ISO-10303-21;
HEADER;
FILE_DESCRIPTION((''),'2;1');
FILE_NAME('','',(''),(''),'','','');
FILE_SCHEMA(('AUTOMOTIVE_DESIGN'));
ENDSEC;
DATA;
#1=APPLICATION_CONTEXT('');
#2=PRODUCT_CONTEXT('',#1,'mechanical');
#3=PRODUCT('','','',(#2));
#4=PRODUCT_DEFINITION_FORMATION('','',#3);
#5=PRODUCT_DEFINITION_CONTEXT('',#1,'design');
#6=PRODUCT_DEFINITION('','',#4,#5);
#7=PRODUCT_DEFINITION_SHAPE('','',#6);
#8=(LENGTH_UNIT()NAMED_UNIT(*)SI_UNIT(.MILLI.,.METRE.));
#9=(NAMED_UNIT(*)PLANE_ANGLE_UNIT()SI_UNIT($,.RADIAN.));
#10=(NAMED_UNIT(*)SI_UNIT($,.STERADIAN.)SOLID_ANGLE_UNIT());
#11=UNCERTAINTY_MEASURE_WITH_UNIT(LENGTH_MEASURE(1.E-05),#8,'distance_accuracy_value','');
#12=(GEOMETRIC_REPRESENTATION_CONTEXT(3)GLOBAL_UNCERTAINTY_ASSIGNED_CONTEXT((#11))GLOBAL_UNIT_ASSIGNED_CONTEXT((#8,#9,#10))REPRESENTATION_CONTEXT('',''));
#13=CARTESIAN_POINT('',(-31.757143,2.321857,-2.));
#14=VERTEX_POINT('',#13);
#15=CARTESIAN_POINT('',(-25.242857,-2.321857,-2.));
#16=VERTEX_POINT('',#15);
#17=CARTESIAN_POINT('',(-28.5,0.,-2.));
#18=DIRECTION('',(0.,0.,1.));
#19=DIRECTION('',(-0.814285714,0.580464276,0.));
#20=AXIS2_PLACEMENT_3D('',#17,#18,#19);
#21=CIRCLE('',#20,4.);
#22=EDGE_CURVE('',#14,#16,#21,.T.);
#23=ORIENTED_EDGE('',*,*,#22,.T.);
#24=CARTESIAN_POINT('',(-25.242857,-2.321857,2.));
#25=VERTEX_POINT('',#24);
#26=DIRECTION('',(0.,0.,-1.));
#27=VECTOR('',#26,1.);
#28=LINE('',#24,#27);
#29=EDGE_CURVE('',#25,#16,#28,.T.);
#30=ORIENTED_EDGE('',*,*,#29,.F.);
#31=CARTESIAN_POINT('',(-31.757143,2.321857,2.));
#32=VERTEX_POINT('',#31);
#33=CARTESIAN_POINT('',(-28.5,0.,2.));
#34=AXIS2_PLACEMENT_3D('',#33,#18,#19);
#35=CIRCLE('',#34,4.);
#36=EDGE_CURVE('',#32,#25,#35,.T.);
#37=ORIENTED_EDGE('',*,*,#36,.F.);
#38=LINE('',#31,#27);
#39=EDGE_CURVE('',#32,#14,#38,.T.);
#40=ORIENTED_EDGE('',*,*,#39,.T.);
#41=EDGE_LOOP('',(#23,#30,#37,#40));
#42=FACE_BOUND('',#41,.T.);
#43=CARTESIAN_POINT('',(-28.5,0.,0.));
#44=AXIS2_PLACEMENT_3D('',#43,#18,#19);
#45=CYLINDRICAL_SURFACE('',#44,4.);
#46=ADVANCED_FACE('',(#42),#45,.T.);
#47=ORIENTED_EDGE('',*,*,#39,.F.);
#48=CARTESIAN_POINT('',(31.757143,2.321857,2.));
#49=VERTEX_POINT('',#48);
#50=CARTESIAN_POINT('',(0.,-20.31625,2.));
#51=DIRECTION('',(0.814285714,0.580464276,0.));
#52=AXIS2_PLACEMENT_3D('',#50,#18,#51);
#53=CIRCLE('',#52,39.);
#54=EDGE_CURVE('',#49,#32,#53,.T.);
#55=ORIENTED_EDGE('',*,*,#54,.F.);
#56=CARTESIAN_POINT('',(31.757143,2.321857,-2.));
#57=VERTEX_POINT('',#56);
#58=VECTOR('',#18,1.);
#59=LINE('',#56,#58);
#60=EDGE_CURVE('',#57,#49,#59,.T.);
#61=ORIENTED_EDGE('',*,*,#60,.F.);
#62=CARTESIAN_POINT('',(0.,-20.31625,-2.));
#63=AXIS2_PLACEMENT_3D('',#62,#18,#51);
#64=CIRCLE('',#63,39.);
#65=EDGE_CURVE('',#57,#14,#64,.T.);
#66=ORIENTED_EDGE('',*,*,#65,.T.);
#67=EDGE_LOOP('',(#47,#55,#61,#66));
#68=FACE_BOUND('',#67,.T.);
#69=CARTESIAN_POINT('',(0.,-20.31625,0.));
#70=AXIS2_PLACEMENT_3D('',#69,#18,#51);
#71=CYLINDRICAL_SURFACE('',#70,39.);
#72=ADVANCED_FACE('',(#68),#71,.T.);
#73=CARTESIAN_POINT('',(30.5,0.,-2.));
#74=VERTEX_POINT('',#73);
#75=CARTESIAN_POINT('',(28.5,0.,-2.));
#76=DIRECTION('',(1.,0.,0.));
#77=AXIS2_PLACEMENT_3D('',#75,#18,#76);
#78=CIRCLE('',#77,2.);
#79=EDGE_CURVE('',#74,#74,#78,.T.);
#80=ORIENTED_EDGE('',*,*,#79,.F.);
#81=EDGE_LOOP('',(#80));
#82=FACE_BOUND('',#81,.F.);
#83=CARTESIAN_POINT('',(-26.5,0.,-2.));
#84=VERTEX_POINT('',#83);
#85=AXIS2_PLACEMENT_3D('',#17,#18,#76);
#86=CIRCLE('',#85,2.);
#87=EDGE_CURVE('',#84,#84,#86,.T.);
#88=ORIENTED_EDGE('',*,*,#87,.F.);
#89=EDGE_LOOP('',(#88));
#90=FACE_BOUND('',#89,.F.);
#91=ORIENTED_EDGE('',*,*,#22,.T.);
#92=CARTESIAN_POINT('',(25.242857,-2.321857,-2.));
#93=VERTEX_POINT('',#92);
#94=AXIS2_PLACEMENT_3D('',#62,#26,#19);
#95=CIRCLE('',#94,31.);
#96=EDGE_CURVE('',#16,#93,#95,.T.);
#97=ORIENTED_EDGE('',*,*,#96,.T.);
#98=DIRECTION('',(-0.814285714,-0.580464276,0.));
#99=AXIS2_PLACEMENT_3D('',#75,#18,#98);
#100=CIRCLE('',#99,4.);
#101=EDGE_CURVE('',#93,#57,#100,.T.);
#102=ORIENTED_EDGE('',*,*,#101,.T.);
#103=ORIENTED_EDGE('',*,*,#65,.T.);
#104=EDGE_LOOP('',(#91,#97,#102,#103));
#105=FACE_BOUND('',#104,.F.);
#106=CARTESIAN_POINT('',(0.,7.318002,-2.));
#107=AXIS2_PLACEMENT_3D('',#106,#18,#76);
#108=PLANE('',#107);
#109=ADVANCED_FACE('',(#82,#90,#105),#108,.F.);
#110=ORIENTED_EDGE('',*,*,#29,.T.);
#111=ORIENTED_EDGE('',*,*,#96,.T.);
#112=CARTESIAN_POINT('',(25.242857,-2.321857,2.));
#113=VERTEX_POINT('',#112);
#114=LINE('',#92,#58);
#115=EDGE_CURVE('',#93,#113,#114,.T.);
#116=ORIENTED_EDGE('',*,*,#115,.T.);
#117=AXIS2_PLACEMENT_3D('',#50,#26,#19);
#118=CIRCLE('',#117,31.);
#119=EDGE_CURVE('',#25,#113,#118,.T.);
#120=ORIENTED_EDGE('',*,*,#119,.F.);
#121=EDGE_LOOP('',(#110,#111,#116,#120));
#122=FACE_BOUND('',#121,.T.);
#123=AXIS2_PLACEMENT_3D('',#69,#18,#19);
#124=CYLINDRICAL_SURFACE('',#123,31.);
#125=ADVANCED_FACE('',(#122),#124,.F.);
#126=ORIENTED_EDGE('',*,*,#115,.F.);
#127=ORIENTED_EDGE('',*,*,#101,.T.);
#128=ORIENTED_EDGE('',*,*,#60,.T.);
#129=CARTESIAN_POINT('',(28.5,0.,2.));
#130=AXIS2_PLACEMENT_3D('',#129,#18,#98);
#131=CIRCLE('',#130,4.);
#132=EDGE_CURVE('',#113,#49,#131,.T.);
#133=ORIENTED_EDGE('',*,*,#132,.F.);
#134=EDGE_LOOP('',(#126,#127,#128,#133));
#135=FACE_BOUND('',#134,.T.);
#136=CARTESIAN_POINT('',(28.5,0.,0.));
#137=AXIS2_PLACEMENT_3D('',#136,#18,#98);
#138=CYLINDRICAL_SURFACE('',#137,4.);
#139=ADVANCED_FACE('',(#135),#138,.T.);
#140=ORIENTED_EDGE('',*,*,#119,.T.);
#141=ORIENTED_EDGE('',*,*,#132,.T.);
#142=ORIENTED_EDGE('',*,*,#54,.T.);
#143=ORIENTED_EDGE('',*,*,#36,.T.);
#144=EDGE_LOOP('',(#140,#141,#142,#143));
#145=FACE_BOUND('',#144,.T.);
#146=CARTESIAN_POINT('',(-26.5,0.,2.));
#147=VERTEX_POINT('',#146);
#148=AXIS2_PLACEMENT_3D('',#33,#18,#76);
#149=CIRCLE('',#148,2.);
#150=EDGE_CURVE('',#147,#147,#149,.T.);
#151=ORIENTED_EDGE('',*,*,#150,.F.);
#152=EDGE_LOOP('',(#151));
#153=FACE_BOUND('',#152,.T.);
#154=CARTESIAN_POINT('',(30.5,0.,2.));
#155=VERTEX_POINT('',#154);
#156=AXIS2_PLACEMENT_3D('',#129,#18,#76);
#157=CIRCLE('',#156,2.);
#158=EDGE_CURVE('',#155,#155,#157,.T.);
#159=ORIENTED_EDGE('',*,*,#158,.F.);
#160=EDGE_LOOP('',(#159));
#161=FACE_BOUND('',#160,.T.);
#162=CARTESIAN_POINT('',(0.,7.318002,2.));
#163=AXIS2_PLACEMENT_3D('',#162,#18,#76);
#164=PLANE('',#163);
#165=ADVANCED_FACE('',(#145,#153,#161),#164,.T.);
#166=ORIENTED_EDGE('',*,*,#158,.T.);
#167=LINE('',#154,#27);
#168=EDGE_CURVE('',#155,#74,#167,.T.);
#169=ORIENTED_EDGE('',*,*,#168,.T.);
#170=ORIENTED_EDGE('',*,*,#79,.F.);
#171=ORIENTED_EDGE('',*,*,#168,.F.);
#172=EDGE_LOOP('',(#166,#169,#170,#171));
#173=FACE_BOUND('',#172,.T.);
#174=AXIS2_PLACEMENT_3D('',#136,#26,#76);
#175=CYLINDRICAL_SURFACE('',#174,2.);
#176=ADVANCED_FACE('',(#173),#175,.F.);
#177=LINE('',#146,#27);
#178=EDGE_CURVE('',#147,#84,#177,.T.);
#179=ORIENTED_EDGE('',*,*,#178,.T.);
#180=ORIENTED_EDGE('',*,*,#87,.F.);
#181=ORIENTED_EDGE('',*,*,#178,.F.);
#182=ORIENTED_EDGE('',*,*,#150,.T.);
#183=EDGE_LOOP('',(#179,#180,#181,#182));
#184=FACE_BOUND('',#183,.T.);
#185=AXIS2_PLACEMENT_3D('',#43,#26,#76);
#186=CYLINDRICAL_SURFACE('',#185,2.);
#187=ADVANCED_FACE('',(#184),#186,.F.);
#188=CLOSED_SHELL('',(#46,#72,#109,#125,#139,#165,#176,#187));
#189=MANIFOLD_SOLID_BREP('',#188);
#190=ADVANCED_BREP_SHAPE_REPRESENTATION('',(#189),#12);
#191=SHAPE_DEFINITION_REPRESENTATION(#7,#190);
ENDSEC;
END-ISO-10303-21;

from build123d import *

# Parameters (mm, degrees)
SKETCH_1_R      = 2
EXTRUDE_1_DEPTH = 2


with BuildPart() as part:
    # 草图1 → 凸台-拉伸1 (new body, symmetric)
    with BuildSketch(Plane.XY):
        with BuildLine():
            ThreePointArc((-25.242857143, -2.321857103), (0, 10.683750346), (25.242857143, -2.321857103))
            ThreePointArc((25.242857143, -2.321857103), (30.821857103, -3.257142857), (31.757142857, 2.321857103))
            ThreePointArc((31.757142857, 2.321857103), (0, 18.683750346), (-31.757142857, 2.321857103))
            ThreePointArc((-31.757142857, 2.321857103), (-30.821857103, -3.257142857), (-25.242857143, -2.321857103))
        make_face()
        with Locations((28.5, 0)):
            Circle(SKETCH_1_R, mode=Mode.SUBTRACT)
        with Locations((-28.5, 0)):
            Circle(SKETCH_1_R, mode=Mode.SUBTRACT)
    extrude(amount=EXTRUDE_1_DEPTH, both=True)


solid = part.part
